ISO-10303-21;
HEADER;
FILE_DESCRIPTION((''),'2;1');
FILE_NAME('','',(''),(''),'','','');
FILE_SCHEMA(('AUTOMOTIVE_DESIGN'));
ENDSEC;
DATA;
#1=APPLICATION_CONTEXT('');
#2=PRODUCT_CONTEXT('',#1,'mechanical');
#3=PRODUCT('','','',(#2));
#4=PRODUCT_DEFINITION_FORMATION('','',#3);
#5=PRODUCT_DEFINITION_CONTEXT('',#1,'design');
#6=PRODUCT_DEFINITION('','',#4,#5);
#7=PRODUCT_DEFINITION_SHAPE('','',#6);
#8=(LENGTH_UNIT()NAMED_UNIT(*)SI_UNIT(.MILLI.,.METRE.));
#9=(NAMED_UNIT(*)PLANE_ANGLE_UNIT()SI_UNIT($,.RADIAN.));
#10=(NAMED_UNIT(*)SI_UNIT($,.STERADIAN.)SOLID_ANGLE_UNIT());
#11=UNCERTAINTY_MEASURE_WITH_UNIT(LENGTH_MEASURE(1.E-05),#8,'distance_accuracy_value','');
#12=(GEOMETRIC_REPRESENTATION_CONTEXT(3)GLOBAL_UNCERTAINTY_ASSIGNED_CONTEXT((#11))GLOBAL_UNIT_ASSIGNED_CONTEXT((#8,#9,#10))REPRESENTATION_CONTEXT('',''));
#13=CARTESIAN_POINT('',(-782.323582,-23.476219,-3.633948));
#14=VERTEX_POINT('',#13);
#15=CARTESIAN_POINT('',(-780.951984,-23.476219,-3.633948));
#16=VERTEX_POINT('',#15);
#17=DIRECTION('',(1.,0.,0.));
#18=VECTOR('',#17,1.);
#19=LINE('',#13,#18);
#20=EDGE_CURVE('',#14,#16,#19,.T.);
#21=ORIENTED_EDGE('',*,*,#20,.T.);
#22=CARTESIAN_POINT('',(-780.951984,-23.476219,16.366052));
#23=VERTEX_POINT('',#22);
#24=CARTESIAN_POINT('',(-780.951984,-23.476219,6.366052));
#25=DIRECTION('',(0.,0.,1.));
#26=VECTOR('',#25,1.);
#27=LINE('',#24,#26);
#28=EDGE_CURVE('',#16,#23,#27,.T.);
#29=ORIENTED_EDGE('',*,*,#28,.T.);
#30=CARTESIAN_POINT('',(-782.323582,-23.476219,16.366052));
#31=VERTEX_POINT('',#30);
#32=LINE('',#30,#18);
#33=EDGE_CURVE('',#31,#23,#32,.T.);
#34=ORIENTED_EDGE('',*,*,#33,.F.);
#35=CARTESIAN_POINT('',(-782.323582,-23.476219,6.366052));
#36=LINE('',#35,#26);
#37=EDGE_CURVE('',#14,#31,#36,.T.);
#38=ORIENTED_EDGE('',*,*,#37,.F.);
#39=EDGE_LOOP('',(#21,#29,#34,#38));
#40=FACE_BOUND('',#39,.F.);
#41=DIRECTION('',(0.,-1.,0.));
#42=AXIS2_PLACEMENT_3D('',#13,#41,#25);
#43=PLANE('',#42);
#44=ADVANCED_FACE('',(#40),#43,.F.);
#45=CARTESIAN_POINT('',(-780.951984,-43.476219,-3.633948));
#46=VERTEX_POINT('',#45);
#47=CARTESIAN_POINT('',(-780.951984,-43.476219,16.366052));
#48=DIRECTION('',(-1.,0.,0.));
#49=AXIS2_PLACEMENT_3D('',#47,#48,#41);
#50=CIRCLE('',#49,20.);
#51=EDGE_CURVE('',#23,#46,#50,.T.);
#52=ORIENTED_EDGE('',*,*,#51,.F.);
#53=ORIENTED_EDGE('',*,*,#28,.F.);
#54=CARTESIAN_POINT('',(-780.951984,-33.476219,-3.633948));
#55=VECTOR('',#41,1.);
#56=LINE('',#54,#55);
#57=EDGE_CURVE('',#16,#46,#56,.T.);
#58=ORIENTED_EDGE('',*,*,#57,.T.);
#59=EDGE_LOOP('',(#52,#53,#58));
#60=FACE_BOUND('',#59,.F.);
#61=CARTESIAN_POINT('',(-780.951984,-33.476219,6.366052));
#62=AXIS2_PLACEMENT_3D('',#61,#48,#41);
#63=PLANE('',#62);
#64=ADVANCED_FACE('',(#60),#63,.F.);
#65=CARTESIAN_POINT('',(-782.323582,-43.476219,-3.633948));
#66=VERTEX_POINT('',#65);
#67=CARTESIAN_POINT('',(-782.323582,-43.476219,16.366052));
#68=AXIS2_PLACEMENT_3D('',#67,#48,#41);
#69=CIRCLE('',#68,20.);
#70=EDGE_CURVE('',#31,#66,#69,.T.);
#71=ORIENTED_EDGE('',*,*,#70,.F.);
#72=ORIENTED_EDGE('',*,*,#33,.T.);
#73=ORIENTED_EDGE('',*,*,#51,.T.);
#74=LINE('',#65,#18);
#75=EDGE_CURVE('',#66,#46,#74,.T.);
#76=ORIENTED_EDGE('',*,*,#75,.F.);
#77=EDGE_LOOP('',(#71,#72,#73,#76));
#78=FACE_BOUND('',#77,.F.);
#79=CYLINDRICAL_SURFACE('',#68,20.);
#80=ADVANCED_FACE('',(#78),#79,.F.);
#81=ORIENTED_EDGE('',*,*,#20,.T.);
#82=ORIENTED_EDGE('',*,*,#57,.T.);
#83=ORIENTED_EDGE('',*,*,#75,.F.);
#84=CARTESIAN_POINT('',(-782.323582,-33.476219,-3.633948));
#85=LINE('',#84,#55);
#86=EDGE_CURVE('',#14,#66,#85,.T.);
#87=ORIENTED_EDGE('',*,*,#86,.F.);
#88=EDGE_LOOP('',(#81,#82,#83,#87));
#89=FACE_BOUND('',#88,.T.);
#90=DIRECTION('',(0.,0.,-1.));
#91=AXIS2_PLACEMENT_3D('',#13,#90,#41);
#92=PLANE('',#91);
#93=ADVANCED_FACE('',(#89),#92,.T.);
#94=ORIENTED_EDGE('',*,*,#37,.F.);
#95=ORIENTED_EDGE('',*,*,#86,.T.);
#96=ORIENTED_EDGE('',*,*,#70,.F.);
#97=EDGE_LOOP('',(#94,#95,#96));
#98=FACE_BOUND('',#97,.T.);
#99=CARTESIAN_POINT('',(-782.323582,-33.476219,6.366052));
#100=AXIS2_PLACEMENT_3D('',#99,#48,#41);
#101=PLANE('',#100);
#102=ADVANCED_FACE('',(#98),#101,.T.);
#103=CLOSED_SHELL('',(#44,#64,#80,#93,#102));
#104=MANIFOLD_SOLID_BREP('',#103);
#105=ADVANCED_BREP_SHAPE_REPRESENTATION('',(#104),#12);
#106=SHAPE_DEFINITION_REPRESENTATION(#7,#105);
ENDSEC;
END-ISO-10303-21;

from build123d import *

# Parameters (mm, degrees)
CIRCLE006_R        = 20
EXTRUSION023_DEPTH = 1.371598
RECTANGLE013_W     = 20
RECTANGLE013_H     = 20
EXTRUSION022_DEPTH = 1.371598


with BuildPart() as extrusion023:
    # Circle006 (on Rectangle) → Extrusion023 (new body)
    with BuildSketch(Plane(origin=(-782.323582, -43.476219, 16.366052), x_dir=(0, -1, 0), z_dir=(-1, 0, 0))):
        Circle(CIRCLE006_R)
    extrude(amount=-EXTRUSION023_DEPTH)


with BuildPart() as cut004006005004002008019023005025006:
    # Rectangle013 → Extrusion022 (new body)
    with BuildSketch(Plane(origin=(-782.323582, -23.476219, -3.633948), x_dir=(0, -1, 0), z_dir=(-1, 0, 0))):
        with Locations((10, 10)):
            Rectangle(RECTANGLE013_W, RECTANGLE013_H)
    extrude(amount=-EXTRUSION022_DEPTH)

    # Cut004006005004002008019023005025006: cut Extrusion023
    add(extrusion023.part, mode=Mode.SUBTRACT)


solid = cut004006005004002008019023005025006.part
